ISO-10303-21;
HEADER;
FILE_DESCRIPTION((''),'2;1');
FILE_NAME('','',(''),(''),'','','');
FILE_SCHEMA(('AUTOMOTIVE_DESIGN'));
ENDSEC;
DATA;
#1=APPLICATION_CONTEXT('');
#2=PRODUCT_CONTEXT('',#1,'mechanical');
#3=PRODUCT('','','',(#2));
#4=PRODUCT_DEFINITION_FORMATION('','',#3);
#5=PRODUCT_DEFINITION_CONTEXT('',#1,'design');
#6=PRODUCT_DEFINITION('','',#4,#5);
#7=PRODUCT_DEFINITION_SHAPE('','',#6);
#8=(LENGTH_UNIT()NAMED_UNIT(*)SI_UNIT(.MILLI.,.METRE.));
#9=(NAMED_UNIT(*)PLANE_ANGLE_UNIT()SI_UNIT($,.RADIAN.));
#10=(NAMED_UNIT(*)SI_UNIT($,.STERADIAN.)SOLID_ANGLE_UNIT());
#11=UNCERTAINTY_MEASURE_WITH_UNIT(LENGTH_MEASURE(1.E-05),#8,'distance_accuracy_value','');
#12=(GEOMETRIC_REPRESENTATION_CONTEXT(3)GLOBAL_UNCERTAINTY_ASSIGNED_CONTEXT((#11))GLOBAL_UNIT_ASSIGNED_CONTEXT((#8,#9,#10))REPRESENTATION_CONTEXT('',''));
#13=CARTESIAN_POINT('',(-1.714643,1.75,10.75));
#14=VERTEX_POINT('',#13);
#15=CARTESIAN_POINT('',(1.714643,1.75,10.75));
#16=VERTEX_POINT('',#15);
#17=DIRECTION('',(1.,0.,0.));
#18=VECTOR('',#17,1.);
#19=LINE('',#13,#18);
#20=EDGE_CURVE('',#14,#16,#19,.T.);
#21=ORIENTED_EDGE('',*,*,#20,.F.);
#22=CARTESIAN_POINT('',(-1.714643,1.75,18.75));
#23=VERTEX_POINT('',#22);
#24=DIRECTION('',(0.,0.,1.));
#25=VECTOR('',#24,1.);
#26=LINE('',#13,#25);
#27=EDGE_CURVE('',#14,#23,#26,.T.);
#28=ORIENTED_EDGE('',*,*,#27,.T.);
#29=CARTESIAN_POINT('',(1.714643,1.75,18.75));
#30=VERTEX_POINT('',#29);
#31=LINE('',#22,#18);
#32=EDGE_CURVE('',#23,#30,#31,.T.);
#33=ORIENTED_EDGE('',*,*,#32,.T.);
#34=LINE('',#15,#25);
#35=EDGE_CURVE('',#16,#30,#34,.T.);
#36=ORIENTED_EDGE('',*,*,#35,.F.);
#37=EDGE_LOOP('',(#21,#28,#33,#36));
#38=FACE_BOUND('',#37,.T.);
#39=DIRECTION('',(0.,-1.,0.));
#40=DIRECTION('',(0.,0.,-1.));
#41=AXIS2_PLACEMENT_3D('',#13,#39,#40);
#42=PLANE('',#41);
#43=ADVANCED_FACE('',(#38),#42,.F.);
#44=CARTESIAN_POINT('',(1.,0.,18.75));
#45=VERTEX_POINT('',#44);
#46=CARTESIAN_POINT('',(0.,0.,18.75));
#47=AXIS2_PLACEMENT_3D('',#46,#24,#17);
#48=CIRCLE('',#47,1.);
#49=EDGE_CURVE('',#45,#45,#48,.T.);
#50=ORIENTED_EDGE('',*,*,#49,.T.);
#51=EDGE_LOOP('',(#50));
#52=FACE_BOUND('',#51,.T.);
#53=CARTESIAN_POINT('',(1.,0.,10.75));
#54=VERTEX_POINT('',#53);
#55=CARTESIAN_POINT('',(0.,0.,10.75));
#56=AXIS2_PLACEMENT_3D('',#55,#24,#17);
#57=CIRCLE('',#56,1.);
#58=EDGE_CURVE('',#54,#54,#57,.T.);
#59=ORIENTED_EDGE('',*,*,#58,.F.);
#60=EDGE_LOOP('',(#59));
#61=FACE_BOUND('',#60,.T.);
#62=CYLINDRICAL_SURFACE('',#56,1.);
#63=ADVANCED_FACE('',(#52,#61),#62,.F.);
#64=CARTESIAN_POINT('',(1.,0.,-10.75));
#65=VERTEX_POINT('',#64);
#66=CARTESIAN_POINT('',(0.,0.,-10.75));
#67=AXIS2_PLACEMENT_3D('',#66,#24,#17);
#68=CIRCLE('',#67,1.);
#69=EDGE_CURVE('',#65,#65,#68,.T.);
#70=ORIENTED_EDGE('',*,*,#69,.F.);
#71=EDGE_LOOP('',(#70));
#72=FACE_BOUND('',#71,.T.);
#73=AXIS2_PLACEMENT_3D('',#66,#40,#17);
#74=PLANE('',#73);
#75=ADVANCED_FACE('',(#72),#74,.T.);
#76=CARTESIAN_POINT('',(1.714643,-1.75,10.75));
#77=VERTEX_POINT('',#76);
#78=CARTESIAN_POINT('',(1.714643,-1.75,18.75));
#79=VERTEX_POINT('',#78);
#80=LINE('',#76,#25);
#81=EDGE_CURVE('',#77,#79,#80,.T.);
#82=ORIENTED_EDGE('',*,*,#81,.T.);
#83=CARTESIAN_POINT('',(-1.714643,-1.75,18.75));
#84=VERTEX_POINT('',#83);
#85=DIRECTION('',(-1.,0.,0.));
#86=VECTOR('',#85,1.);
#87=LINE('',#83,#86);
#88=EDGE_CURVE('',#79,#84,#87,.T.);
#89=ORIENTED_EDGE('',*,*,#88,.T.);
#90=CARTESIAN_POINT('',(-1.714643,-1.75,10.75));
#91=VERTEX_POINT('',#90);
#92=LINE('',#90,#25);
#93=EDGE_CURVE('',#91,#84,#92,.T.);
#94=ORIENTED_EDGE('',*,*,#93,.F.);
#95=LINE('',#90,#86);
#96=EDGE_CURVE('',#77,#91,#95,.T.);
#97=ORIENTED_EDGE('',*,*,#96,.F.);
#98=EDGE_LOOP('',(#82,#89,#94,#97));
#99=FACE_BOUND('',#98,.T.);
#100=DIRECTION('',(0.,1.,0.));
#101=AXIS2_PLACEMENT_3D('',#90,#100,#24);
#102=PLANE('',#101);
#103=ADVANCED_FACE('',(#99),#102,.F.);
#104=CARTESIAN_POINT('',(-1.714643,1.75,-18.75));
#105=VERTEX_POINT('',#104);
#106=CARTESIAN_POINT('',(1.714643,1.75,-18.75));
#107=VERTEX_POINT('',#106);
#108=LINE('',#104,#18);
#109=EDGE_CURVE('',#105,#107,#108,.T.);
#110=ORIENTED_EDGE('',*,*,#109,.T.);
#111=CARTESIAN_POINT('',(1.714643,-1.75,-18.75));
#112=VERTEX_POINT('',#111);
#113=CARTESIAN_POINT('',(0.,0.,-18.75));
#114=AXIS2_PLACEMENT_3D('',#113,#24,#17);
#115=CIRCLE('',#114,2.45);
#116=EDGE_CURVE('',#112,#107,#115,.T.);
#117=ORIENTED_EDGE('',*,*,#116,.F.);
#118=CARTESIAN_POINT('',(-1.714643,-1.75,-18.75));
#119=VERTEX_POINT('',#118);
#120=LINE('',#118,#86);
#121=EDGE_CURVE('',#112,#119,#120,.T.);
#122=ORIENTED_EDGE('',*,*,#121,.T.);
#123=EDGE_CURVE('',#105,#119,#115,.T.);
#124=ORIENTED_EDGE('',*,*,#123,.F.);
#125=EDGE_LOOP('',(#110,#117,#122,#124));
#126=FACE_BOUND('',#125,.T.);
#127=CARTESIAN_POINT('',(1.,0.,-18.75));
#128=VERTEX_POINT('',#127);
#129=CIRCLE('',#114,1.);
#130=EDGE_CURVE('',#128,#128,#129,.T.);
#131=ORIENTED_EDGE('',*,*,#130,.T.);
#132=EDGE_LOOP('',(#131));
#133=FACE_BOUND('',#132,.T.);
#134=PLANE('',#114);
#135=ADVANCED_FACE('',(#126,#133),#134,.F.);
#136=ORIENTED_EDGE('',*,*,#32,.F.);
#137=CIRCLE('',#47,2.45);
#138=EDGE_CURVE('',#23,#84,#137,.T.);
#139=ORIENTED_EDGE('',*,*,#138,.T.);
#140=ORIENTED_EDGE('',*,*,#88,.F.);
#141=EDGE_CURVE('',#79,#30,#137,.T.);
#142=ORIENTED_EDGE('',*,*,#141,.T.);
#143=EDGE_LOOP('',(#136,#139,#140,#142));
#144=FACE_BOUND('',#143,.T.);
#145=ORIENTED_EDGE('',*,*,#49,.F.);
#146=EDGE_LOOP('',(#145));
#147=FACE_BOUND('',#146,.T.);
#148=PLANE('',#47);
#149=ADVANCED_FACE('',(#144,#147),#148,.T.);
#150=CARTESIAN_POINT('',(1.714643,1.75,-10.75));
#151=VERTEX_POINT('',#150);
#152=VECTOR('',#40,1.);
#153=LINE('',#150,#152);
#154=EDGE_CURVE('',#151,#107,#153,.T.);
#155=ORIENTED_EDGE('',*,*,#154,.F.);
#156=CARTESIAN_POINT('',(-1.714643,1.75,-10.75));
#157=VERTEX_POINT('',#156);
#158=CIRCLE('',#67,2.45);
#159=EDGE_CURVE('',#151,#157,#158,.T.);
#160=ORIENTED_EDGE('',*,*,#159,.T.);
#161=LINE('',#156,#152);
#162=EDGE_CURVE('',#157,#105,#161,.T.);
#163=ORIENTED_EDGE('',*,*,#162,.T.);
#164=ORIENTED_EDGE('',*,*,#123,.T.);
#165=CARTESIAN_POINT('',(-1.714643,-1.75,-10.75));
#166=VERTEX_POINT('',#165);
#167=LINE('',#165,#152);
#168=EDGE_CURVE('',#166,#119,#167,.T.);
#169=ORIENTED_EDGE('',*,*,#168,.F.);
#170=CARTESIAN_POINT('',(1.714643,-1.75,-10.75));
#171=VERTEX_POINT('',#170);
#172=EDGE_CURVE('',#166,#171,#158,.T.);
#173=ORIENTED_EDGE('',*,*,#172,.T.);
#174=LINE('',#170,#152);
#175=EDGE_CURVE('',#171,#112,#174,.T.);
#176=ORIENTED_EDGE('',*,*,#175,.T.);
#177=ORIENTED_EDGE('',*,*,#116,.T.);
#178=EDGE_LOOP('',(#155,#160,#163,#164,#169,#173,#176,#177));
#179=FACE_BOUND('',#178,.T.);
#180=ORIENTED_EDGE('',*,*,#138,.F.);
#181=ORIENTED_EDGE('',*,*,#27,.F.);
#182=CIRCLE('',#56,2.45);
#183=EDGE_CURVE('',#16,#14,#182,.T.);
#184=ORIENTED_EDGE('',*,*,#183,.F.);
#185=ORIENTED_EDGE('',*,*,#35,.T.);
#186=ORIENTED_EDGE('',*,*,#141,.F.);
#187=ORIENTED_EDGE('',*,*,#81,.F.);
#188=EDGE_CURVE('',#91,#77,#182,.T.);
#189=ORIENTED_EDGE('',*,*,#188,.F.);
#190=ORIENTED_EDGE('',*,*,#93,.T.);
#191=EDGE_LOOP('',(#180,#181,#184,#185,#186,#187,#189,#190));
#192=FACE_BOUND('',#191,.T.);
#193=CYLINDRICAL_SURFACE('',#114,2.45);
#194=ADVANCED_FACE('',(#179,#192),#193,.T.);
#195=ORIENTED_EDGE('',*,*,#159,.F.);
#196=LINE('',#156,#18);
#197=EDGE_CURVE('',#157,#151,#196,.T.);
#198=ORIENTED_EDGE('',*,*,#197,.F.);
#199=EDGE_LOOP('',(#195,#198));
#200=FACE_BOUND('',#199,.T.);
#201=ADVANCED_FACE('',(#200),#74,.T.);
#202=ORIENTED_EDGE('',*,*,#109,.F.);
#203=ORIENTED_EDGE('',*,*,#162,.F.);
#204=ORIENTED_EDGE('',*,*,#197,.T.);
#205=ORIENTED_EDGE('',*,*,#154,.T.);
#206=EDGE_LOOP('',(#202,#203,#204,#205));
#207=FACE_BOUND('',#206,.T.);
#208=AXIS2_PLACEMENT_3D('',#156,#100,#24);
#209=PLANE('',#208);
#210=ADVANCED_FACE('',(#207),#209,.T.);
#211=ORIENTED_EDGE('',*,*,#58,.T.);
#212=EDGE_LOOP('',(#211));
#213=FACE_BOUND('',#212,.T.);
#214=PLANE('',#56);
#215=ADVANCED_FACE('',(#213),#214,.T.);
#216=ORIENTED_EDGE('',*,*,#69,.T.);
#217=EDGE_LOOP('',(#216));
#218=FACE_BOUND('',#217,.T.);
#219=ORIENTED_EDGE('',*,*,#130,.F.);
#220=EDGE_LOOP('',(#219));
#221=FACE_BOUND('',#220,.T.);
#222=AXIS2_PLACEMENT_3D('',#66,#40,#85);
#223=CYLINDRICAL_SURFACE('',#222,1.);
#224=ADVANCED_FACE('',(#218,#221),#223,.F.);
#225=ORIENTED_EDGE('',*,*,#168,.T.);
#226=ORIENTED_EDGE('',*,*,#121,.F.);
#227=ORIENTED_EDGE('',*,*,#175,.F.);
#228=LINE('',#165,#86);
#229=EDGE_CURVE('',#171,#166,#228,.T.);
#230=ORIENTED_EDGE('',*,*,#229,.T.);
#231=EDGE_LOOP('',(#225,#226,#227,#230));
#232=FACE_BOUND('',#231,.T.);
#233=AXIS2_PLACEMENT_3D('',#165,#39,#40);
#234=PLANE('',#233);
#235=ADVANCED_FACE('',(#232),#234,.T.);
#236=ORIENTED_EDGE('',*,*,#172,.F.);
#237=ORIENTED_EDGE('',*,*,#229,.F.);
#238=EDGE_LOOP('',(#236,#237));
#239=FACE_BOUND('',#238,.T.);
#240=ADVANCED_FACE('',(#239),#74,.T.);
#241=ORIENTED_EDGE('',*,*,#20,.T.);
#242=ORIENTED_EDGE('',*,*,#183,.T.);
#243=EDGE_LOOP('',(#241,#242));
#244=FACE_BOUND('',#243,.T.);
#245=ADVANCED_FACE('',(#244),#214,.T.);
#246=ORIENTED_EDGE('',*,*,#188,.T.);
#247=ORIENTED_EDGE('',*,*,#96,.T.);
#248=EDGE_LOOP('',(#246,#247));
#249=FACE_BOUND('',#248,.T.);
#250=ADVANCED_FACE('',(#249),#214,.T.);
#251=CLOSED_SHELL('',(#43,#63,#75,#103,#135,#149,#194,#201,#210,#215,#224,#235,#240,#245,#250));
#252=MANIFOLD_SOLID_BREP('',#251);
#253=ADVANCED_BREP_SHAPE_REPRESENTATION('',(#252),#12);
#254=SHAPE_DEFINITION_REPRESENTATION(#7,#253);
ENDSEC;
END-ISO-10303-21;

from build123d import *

# Parameters (mm, degrees)
SALIENTE_EXTRUIR1_DEPTH      = 18.75
SALIENTE_EXTRUIR1_DEPTH_BACK = 18.75
CROQUIS1_R                   = 2.45
CROQUIS3_R                   = 1
CORTAR_EXTRUIR1_DEPTH        = 8


with BuildPart() as part:
    # Croquis1 → Saliente-Extruir1 (new, two sides: drawn at the far end of the back side and taken through both)
    with BuildSketch(Plane.XY.offset(-SALIENTE_EXTRUIR1_DEPTH_BACK)):
        Circle(CROQUIS1_R)
    extrude(amount=SALIENTE_EXTRUIR1_DEPTH + SALIENTE_EXTRUIR1_DEPTH_BACK)

    # Croquis3 → Cortar-Extruir1 (cut)
    with BuildSketch(Plane.XY.offset(18.75)):
        Circle(CROQUIS3_R)
        with BuildLine():
            Line((-1.71464282, 1.75), (1.71464282, 1.75))
            ThreePointArc((1.71464282, 1.75), (0, 2.45), (-1.71464282, 1.75))
        make_face()
        with BuildLine():
            Line((-1.71464282, -1.75), (1.71464282, -1.75))
            ThreePointArc((1.71464282, -1.75), (0, -2.45), (-1.71464282, -1.75))
        make_face()
    cortar_extruir1 = extrude(amount=-CORTAR_EXTRUIR1_DEPTH, mode=Mode.SUBTRACT)

    # Simetría1: Cortar-Extruir1 across plane
    add(cortar_extruir1.mirror(Plane.XY), mode=Mode.SUBTRACT)


solid = part.part
